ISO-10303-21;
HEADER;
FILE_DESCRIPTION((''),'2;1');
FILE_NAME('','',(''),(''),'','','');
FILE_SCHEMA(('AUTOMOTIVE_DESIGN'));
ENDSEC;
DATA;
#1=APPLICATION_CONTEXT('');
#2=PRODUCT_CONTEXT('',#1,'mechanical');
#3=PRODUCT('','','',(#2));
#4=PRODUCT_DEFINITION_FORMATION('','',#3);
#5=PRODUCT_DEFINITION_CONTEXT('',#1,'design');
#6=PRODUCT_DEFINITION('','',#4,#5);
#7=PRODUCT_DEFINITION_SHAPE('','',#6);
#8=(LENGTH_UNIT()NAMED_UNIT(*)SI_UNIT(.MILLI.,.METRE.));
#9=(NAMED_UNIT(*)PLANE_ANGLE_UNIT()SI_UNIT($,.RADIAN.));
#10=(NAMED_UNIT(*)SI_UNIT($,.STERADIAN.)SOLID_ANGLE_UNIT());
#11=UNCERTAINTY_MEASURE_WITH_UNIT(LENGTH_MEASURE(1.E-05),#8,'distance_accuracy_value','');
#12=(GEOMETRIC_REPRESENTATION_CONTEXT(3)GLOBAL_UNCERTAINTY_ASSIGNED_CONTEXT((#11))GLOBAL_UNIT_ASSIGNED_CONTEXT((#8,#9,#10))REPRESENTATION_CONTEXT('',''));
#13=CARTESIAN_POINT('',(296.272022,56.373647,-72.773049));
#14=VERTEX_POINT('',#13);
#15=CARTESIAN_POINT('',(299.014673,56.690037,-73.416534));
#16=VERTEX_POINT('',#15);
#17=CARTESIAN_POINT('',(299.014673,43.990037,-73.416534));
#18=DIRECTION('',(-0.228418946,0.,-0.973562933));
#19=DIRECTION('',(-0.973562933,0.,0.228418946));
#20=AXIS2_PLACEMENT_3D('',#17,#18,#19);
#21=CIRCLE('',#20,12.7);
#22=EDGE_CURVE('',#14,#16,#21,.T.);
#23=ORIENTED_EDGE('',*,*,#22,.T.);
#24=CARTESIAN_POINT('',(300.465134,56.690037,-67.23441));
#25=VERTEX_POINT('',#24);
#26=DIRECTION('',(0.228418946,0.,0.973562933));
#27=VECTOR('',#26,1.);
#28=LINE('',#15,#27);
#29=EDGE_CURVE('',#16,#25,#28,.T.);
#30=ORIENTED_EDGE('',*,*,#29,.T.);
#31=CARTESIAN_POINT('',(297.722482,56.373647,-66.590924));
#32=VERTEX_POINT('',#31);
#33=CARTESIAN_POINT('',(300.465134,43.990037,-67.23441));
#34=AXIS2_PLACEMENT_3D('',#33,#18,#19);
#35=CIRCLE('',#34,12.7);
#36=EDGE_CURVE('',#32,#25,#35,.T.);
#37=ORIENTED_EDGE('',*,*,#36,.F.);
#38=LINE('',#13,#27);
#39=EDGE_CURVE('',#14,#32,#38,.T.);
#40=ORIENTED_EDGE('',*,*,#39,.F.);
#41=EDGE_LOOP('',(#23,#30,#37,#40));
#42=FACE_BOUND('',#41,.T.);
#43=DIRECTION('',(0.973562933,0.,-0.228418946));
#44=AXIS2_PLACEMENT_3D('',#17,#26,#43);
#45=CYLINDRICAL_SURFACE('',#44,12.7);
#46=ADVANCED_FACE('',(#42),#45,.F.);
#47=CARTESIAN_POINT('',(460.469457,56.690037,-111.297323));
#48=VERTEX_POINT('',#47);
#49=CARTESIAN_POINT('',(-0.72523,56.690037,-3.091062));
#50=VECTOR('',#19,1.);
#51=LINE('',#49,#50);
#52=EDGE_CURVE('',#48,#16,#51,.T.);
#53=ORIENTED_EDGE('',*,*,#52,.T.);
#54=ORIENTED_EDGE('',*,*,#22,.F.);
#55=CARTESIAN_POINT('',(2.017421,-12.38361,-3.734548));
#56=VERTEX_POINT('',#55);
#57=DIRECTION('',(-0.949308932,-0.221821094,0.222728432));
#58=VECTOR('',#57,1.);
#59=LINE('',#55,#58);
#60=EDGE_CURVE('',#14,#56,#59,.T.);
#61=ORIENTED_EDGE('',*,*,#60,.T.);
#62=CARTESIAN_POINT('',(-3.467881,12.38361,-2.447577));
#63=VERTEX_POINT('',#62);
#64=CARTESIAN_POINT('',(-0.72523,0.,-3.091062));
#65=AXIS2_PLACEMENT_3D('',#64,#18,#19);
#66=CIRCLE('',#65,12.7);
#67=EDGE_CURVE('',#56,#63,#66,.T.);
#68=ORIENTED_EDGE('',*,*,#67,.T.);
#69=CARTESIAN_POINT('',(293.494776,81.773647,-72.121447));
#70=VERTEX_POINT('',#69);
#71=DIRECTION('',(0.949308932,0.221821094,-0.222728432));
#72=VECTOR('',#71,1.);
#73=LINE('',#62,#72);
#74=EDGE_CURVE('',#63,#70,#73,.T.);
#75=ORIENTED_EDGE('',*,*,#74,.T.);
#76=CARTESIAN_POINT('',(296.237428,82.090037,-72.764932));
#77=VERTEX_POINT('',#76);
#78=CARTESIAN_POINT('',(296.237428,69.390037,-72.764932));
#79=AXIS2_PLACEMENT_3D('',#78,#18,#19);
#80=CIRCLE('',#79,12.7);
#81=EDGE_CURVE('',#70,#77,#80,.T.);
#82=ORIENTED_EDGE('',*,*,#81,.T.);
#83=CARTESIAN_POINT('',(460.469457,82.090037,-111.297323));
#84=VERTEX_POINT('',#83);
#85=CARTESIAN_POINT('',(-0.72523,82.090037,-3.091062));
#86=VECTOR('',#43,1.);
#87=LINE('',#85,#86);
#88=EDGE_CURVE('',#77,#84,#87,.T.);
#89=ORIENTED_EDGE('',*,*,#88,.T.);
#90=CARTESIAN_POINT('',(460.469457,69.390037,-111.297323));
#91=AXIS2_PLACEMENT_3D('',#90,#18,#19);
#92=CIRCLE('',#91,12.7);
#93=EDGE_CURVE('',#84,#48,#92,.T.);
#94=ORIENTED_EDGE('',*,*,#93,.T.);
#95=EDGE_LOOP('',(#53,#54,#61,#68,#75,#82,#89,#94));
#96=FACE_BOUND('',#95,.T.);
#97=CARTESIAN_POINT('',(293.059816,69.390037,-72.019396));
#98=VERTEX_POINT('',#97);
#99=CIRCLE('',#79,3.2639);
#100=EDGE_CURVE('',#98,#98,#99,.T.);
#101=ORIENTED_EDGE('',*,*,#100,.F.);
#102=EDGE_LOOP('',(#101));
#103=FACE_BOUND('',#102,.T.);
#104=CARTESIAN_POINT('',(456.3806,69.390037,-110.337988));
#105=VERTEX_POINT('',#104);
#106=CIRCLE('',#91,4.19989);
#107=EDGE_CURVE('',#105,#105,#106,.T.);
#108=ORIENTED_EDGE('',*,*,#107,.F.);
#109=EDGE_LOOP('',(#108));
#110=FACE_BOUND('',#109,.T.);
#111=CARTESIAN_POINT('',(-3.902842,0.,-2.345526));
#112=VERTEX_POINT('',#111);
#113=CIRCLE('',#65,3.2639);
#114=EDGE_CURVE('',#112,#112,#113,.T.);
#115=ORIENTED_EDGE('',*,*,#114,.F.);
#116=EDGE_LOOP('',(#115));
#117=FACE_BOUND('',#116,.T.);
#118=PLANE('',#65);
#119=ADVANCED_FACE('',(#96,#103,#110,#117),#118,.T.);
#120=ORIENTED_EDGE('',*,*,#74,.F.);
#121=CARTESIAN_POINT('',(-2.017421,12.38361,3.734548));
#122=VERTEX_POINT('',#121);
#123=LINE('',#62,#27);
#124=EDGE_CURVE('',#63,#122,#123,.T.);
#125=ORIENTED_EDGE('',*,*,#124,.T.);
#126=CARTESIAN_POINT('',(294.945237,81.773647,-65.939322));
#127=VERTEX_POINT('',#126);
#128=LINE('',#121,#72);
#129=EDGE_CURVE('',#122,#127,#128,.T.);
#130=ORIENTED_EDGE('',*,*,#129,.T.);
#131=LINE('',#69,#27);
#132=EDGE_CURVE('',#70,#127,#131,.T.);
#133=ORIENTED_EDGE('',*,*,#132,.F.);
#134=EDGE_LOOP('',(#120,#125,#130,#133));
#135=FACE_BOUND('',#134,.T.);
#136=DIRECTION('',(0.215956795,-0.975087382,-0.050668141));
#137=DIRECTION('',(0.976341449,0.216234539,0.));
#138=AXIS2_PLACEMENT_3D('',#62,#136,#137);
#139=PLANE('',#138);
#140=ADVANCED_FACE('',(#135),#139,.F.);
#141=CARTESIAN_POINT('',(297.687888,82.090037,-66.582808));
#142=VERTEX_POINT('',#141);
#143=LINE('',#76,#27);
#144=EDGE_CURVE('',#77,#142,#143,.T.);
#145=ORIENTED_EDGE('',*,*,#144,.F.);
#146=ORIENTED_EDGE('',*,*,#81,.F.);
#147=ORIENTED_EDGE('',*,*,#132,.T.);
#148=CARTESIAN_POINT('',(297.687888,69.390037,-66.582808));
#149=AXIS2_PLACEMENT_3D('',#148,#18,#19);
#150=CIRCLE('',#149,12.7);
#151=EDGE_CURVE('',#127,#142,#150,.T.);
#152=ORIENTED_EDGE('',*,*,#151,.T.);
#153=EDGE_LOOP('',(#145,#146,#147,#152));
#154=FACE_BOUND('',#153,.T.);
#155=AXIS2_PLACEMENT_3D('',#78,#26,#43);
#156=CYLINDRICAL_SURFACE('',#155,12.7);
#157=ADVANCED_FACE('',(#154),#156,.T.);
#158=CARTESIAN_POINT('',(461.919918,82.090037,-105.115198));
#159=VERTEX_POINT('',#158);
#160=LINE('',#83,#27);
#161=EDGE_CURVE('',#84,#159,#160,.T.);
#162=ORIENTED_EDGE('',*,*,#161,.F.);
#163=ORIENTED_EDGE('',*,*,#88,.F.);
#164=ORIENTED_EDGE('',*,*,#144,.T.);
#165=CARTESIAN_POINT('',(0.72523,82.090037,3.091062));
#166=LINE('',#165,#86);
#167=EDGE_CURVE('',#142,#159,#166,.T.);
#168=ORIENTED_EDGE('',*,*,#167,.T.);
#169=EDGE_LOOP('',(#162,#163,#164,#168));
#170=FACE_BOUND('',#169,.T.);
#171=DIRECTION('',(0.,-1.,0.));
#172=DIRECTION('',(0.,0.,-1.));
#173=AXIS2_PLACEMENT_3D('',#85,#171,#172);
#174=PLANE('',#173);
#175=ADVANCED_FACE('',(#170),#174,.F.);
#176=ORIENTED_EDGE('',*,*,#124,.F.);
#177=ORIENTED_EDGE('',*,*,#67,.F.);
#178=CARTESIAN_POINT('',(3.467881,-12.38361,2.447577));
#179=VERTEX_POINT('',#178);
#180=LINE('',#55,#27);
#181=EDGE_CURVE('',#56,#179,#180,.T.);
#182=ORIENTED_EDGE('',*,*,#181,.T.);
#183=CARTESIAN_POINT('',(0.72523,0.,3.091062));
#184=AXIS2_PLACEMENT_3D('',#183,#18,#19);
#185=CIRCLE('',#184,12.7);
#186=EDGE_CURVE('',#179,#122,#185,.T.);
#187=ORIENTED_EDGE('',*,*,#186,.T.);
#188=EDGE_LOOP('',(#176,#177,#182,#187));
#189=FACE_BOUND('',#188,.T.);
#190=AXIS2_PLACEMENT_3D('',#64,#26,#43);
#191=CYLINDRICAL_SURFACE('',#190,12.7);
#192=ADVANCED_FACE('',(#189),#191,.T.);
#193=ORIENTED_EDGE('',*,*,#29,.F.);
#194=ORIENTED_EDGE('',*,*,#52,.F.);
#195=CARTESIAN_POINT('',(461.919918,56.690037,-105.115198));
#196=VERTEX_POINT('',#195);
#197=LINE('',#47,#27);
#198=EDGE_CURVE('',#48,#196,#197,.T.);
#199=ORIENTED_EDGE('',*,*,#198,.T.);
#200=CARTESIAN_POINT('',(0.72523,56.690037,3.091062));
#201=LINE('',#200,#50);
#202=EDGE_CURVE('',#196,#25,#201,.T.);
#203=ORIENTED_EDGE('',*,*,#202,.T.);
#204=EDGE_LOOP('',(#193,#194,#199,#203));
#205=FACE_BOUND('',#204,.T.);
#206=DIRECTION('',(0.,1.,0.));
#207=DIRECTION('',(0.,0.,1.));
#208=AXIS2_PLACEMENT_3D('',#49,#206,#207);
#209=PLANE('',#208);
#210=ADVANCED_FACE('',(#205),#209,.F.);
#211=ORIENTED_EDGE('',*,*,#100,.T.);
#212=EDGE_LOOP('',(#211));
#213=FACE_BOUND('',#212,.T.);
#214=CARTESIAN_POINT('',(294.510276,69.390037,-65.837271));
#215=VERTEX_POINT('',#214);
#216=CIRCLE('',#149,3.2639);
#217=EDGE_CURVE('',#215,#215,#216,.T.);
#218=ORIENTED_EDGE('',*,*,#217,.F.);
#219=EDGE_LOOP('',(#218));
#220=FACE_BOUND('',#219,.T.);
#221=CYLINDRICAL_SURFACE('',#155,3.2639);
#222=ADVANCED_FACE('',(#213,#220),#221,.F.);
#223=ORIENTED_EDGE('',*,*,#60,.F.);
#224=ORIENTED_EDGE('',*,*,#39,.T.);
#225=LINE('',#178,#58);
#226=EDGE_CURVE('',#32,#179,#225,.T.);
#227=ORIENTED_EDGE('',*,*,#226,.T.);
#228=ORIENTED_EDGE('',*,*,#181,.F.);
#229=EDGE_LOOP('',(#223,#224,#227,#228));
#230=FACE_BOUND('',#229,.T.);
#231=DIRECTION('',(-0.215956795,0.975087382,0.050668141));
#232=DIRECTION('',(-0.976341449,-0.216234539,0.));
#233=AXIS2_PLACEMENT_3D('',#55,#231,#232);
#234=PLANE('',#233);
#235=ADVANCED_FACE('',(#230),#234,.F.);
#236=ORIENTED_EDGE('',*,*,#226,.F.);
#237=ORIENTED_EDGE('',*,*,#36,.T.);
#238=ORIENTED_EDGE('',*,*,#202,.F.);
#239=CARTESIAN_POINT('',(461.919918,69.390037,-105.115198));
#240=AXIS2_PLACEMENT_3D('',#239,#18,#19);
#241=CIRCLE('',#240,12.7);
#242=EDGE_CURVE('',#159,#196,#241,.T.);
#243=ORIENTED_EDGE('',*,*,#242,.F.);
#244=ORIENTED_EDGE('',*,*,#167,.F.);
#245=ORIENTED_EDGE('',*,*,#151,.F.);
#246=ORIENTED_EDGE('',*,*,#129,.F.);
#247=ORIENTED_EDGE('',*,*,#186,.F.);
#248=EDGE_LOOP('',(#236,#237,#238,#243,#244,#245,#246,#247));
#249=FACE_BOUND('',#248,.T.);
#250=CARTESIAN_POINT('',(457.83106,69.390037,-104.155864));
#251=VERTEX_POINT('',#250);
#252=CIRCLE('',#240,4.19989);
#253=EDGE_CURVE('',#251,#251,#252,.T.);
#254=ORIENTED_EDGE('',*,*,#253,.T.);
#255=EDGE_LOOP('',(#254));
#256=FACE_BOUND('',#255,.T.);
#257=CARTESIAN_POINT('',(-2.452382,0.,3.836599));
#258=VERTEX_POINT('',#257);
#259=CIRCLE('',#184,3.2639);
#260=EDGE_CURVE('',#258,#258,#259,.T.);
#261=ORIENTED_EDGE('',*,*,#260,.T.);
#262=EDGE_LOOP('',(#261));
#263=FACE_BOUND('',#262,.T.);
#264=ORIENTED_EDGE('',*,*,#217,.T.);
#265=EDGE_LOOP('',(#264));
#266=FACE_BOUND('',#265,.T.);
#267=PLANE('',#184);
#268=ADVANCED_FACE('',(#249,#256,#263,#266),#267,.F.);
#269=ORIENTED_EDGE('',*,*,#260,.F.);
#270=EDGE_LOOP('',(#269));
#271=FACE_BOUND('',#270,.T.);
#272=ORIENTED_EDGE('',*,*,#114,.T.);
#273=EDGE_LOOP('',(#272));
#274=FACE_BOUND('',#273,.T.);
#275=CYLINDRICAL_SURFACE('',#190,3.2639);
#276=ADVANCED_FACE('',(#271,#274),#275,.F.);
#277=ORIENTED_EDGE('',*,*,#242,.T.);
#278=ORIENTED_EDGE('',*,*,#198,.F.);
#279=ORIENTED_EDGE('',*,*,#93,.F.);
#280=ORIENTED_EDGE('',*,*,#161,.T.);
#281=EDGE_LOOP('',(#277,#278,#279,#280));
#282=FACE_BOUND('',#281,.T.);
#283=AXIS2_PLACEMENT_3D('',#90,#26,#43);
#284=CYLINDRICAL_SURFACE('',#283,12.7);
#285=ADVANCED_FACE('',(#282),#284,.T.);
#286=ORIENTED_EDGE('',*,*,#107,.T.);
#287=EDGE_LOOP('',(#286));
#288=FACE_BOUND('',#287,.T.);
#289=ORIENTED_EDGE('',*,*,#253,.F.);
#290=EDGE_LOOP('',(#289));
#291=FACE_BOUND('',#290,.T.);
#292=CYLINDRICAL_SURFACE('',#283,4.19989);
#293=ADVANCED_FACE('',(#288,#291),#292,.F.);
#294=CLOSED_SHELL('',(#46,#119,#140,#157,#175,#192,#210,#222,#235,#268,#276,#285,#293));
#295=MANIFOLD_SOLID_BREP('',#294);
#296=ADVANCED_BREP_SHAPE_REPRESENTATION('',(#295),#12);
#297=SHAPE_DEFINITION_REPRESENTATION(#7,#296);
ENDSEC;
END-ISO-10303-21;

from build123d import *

# Parameters (mm, degrees)
SKETCH1_R           = 12.7
SKETCH1_R_2         = 3.2639
SKETCH1_R_3         = 4.19989
BOSS_EXTRUDE1_DEPTH = 3.175


with BuildPart() as part:
    # Sketch1 → Boss-Extrude1 (new, symmetric)
    # profile 1 of 4: a face of its own
    with BuildSketch(Plane(origin=(0, 0, 0), x_dir=(-0.9735629333039062, 0, 0.22841894601082008), z_dir=(-0.22841894601082008, 1.7517633279464725e-15, -0.9735629333039062))):
        Circle(SKETCH1_R)
        Circle(SKETCH1_R_2, mode=Mode.SUBTRACT)
    # profile 2 of 4: a face of its own
    with BuildSketch(Plane(origin=(0, 0, 0), x_dir=(-0.9735629333039062, 0, 0.22841894601082008), z_dir=(-0.22841894601082008, 1.7517633279464725e-15, -0.9735629333039062))):
        with BuildLine():
            ThreePointArc((-2.817127899, -12.383609748), (-12.383609748, 2.817127899), (2.817127899, 12.383609748))
            Line((2.817127899, 12.383609748), (-302.209540417, 81.773646649))
            ThreePointArc((-302.209540417, 81.773646649), (-295.100250928, 77.311920379), (-292.326668316, 69.390036901))
            ThreePointArc((-292.326668316, 69.390036901), (-314.006924437, 60.40978078), (-305.026668316, 82.090036901))
            Line((-305.026668316, 82.090036901), (-473.718412785, 82.090036901))
            ThreePointArc((-473.718412785, 82.090036901), (-464.738156664, 78.370293022), (-461.018412785, 69.390036901))
            ThreePointArc((-461.018412785, 69.390036901), (-464.738156664, 60.40978078), (-473.718412785, 56.690036901))
            Line((-473.718412785, 56.690036901), (-307.87932985, 56.690036901))
            ThreePointArc((-307.87932985, 56.690036901), (-306.461910329, 56.610691476), (-305.06220195, 56.373646649))
            Line((-305.06220195, 56.373646649), (-2.817127899, -12.383609748))
        make_face()
    # profile 3 of 4: a face of its own
    with BuildSketch(Plane(origin=(0, 0, 0), x_dir=(-0.9735629333039062, 0, 0.22841894601082008), z_dir=(-0.22841894601082008, 1.7517633279464725e-15, -0.9735629333039062))):
        with Locations((-473.718412785, 69.390036901)):
            Circle(SKETCH1_R)
        with Locations((-473.718412785, 69.390036901)):
            Circle(SKETCH1_R_3, mode=Mode.SUBTRACT)
    # profile 4 of 4: a face of its own
    with BuildSketch(Plane(origin=(0, 0, 0), x_dir=(-0.9735629333039062, 0, 0.22841894601082008), z_dir=(-0.22841894601082008, 1.7517633279464725e-15, -0.9735629333039062))):
        with Locations((-305.026668316, 69.390036901)):
            Circle(SKETCH1_R)
        with Locations((-305.026668316, 69.390036901)):
            Circle(SKETCH1_R_2, mode=Mode.SUBTRACT)
    extrude(amount=BOSS_EXTRUDE1_DEPTH, both=True)


solid = part.part
